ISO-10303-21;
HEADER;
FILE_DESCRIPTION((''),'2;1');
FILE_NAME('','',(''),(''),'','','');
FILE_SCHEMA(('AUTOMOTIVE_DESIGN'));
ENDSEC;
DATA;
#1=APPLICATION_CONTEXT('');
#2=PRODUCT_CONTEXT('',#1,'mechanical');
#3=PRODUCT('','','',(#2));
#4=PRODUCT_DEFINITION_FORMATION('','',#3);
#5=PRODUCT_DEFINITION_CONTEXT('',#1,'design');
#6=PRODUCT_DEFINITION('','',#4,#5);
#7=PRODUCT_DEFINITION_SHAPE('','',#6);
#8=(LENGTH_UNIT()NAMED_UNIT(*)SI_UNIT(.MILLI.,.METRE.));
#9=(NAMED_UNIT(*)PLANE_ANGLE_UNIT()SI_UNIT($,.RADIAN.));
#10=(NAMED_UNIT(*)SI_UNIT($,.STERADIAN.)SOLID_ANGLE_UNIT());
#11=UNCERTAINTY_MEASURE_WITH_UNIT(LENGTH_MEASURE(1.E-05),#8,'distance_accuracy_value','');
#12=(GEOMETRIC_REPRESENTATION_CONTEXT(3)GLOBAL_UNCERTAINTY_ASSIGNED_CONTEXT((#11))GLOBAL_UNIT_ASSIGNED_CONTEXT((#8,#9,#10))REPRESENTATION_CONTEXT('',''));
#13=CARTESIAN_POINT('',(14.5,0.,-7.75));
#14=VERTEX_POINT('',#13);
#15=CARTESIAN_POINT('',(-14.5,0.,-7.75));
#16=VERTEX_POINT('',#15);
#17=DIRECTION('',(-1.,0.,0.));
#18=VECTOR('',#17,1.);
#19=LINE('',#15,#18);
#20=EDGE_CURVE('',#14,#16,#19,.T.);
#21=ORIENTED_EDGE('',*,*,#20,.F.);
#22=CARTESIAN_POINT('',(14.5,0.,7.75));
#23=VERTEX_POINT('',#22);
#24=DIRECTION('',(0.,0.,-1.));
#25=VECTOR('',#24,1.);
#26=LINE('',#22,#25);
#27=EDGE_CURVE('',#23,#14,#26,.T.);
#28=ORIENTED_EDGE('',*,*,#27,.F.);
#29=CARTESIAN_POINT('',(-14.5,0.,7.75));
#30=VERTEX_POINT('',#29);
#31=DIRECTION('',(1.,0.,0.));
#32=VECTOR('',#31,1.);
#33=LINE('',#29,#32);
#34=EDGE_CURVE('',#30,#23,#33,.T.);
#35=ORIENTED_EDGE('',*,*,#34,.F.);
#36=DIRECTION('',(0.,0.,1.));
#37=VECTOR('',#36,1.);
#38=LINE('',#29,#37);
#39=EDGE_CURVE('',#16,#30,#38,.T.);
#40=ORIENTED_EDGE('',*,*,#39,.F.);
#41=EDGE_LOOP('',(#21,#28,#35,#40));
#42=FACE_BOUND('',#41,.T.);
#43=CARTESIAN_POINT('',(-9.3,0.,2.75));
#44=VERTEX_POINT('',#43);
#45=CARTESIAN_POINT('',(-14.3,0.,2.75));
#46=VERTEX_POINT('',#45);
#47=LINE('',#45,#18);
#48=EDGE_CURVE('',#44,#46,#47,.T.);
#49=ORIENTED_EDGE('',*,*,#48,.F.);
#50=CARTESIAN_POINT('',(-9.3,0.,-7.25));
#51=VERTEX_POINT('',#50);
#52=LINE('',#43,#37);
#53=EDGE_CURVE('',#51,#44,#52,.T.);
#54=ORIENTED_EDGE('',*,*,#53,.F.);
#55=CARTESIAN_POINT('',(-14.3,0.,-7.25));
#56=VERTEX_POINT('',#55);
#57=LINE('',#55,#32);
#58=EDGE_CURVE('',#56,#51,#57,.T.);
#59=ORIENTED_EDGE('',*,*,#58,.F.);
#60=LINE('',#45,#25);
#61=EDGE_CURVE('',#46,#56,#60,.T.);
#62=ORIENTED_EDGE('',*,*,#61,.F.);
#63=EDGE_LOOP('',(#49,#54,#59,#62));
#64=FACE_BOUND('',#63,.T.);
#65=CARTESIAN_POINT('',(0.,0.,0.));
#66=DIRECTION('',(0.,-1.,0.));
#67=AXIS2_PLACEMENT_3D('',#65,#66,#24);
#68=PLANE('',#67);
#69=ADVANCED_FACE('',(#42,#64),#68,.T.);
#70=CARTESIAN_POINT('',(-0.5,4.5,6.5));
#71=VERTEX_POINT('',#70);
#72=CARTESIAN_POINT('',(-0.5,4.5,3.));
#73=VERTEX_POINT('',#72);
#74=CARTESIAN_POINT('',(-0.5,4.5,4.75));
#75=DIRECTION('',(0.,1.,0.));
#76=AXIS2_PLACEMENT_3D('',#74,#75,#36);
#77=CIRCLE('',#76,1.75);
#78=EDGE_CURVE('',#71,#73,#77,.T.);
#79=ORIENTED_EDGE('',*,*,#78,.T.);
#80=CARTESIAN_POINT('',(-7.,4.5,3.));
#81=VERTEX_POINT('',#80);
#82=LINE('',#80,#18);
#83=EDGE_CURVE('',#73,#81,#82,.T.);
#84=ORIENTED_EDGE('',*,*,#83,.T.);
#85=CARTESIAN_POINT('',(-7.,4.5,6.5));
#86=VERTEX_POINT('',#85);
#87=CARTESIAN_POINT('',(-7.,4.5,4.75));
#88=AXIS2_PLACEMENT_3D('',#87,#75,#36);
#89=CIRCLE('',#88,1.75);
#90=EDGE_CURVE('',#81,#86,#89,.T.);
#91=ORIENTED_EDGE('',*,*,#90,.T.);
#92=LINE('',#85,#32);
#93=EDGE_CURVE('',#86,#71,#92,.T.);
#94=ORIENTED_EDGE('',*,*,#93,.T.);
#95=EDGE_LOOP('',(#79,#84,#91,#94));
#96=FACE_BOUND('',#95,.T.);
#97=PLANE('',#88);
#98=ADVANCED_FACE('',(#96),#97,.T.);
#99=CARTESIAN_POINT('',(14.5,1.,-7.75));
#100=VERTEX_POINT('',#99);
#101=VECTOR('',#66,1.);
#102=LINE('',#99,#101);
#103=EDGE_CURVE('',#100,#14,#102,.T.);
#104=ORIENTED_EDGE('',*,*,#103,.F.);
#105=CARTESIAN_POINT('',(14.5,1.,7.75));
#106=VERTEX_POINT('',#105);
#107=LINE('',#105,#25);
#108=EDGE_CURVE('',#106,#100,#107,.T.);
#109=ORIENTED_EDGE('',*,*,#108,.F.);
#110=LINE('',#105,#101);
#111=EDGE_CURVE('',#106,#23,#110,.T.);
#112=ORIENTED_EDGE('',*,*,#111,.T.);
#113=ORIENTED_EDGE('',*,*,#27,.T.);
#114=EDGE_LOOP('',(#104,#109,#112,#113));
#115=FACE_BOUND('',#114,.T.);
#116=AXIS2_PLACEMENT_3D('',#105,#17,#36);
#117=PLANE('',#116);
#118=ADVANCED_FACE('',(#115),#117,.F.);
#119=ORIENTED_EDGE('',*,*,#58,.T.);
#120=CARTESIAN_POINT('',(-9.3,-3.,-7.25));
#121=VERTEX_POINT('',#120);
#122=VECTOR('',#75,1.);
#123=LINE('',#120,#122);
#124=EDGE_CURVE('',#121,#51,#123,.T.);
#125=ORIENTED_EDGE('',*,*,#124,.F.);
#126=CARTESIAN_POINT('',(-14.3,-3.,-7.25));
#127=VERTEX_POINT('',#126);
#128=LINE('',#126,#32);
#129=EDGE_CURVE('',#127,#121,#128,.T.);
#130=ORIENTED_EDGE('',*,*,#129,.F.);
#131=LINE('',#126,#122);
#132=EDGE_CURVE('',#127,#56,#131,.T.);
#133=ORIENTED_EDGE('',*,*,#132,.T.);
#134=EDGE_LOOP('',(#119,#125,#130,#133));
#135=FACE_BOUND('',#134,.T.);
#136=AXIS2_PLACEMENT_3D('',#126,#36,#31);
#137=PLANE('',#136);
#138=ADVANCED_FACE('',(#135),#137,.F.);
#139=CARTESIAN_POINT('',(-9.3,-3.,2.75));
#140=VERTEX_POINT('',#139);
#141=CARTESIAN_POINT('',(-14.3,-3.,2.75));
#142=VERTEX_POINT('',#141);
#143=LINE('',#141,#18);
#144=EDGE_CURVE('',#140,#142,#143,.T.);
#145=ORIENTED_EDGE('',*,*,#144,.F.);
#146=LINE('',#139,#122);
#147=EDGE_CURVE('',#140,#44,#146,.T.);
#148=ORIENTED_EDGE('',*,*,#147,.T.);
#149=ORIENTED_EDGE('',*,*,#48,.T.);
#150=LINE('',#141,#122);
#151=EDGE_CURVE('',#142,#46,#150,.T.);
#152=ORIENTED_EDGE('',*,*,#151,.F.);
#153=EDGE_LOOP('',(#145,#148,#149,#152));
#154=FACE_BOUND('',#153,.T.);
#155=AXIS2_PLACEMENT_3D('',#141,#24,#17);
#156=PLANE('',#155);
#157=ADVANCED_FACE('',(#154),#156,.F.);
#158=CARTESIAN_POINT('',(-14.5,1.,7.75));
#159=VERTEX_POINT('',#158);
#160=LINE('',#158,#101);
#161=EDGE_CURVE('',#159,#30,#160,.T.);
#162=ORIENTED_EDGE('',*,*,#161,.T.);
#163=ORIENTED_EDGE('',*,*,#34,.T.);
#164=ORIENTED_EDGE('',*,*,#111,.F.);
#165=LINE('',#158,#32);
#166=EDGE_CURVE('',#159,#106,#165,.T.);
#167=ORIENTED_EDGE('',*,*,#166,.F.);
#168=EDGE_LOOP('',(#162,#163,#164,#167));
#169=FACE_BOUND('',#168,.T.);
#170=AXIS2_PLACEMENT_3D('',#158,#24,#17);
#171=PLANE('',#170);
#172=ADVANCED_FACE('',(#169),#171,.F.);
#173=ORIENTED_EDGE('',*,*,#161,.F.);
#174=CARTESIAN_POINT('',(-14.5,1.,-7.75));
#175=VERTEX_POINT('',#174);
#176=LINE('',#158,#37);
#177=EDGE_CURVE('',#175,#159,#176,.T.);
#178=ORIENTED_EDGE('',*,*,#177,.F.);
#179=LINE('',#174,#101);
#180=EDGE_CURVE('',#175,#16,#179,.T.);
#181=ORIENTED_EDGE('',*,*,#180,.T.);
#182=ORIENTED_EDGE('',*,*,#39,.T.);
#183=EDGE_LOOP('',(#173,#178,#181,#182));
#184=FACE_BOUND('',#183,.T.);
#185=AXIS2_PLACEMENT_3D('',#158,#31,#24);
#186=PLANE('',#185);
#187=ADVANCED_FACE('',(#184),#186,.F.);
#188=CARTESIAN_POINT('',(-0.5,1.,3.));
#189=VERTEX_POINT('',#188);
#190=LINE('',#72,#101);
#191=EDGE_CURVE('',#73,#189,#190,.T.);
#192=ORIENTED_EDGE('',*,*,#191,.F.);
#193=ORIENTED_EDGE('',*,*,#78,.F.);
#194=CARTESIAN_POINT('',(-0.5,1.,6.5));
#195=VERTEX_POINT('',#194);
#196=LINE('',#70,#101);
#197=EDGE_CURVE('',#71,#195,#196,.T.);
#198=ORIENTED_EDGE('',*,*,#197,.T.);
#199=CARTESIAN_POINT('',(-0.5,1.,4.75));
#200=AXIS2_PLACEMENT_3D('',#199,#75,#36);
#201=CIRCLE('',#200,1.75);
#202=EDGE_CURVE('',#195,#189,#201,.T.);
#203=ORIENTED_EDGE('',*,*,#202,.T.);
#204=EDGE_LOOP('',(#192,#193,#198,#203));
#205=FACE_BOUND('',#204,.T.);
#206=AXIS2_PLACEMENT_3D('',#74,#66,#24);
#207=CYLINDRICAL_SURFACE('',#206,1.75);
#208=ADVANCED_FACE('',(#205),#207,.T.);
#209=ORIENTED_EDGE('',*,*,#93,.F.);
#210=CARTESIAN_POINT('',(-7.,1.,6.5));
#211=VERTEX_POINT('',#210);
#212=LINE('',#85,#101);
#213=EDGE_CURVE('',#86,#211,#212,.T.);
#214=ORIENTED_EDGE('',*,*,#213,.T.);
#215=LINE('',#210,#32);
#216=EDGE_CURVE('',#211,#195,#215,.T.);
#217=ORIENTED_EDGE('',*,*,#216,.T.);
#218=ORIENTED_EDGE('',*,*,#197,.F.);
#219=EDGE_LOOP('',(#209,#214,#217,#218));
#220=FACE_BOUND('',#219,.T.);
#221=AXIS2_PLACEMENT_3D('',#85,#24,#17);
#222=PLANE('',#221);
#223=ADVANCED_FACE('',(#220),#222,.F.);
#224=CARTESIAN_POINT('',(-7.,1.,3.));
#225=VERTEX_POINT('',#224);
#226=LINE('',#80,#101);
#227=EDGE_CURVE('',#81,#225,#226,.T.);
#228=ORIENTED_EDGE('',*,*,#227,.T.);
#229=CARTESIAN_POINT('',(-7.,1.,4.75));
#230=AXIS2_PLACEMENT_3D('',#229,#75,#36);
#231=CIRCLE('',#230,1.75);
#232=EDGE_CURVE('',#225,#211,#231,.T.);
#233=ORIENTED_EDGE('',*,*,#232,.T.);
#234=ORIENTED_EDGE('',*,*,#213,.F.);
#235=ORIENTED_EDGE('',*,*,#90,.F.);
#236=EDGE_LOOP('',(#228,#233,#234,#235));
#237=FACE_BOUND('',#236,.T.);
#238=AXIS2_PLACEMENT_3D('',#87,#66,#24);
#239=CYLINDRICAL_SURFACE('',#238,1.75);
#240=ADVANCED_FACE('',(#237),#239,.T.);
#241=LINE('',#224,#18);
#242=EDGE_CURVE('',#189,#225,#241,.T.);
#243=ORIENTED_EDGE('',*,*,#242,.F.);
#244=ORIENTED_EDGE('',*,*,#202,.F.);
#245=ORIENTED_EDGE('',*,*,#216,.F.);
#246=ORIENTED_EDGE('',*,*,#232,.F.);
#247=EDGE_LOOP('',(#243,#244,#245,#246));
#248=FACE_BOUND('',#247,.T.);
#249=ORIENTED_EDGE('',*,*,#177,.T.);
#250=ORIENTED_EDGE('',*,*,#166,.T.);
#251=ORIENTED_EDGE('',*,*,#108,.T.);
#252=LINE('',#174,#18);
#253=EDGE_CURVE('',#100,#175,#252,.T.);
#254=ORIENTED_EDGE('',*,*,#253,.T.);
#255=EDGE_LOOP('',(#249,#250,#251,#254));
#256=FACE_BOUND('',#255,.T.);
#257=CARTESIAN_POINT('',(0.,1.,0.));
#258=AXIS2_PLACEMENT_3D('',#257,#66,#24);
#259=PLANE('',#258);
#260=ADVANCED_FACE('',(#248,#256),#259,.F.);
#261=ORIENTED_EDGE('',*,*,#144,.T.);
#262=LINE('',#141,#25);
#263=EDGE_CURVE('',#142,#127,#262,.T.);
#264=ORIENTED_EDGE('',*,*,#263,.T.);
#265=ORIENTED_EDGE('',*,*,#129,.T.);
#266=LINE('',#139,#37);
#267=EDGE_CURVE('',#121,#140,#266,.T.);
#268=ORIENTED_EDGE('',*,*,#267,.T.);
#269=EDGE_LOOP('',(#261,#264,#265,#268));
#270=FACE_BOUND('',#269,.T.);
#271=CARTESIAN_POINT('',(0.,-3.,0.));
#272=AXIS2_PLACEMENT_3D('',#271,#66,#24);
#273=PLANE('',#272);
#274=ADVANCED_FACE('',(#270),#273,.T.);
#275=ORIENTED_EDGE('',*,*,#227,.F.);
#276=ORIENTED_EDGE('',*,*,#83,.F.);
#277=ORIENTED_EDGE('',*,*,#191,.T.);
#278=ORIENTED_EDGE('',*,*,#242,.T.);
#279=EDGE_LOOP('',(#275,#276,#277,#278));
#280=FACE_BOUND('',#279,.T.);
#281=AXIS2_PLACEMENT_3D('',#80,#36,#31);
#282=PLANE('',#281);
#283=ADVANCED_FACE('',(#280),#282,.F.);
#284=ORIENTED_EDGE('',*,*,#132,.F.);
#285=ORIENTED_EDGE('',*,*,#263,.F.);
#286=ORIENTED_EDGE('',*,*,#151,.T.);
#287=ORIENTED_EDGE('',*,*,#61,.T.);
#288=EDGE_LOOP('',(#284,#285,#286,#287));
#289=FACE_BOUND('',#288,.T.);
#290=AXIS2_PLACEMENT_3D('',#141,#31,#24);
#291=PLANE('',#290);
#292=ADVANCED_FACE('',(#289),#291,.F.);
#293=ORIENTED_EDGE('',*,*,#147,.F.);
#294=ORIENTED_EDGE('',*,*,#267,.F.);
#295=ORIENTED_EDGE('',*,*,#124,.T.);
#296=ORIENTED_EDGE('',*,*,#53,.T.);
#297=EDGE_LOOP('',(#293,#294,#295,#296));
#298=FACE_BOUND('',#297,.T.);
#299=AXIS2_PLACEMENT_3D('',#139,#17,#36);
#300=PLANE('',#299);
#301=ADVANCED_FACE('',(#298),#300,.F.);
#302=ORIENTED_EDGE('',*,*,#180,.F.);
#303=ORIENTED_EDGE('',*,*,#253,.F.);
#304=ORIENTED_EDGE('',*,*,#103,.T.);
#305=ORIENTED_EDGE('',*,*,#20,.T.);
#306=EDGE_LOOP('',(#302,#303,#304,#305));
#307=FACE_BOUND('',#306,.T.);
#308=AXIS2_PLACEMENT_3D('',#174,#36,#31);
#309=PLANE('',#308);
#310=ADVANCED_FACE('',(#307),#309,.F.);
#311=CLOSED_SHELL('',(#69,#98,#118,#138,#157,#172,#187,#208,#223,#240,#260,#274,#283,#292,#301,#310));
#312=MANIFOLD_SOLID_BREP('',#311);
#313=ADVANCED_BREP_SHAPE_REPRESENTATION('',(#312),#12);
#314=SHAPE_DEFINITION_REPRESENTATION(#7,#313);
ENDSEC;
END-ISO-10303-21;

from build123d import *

# Parameters (mm, degrees)
SKETCH1_W           = 29
SKETCH1_H           = 15.5
BOSS_EXTRUDE1_DEPTH = 1
BOSS_EXTRUDE2_DEPTH = 3.5
SKETCH4_W           = 5
SKETCH4_H           = 10
BOSS_EXTRUDE3_DEPTH = 3


with BuildPart() as part:
    # Sketch1 → Boss-Extrude1 (new body)
    with BuildSketch(Plane(origin=(0, 0, 0), x_dir=(1, 0, 0), z_dir=(0, 1, 0))):
        Rectangle(SKETCH1_W, SKETCH1_H)
    extrude(amount=BOSS_EXTRUDE1_DEPTH)

    # Sketch2 → Boss-Extrude2 (add)
    with BuildSketch(Plane(origin=(0, 1, 0), x_dir=(1, 0, 0), z_dir=(0, 1, 0))):
        with BuildLine():
            Line((-7, -3), (-0.5, -3))
            ThreePointArc((-0.5, -3), (1.25, -4.75), (-0.5, -6.5))
            Line((-0.5, -6.5), (-7, -6.5))
            ThreePointArc((-7, -6.5), (-8.75, -4.75), (-7, -3))
        make_face()
    extrude(amount=BOSS_EXTRUDE2_DEPTH)

    # Sketch4 → Boss-Extrude3 (add)
    with BuildSketch(Plane.XZ):
        with Locations((-11.8, -2.25)):
            Rectangle(SKETCH4_W, SKETCH4_H)
    extrude(amount=BOSS_EXTRUDE3_DEPTH)


solid = part.part
